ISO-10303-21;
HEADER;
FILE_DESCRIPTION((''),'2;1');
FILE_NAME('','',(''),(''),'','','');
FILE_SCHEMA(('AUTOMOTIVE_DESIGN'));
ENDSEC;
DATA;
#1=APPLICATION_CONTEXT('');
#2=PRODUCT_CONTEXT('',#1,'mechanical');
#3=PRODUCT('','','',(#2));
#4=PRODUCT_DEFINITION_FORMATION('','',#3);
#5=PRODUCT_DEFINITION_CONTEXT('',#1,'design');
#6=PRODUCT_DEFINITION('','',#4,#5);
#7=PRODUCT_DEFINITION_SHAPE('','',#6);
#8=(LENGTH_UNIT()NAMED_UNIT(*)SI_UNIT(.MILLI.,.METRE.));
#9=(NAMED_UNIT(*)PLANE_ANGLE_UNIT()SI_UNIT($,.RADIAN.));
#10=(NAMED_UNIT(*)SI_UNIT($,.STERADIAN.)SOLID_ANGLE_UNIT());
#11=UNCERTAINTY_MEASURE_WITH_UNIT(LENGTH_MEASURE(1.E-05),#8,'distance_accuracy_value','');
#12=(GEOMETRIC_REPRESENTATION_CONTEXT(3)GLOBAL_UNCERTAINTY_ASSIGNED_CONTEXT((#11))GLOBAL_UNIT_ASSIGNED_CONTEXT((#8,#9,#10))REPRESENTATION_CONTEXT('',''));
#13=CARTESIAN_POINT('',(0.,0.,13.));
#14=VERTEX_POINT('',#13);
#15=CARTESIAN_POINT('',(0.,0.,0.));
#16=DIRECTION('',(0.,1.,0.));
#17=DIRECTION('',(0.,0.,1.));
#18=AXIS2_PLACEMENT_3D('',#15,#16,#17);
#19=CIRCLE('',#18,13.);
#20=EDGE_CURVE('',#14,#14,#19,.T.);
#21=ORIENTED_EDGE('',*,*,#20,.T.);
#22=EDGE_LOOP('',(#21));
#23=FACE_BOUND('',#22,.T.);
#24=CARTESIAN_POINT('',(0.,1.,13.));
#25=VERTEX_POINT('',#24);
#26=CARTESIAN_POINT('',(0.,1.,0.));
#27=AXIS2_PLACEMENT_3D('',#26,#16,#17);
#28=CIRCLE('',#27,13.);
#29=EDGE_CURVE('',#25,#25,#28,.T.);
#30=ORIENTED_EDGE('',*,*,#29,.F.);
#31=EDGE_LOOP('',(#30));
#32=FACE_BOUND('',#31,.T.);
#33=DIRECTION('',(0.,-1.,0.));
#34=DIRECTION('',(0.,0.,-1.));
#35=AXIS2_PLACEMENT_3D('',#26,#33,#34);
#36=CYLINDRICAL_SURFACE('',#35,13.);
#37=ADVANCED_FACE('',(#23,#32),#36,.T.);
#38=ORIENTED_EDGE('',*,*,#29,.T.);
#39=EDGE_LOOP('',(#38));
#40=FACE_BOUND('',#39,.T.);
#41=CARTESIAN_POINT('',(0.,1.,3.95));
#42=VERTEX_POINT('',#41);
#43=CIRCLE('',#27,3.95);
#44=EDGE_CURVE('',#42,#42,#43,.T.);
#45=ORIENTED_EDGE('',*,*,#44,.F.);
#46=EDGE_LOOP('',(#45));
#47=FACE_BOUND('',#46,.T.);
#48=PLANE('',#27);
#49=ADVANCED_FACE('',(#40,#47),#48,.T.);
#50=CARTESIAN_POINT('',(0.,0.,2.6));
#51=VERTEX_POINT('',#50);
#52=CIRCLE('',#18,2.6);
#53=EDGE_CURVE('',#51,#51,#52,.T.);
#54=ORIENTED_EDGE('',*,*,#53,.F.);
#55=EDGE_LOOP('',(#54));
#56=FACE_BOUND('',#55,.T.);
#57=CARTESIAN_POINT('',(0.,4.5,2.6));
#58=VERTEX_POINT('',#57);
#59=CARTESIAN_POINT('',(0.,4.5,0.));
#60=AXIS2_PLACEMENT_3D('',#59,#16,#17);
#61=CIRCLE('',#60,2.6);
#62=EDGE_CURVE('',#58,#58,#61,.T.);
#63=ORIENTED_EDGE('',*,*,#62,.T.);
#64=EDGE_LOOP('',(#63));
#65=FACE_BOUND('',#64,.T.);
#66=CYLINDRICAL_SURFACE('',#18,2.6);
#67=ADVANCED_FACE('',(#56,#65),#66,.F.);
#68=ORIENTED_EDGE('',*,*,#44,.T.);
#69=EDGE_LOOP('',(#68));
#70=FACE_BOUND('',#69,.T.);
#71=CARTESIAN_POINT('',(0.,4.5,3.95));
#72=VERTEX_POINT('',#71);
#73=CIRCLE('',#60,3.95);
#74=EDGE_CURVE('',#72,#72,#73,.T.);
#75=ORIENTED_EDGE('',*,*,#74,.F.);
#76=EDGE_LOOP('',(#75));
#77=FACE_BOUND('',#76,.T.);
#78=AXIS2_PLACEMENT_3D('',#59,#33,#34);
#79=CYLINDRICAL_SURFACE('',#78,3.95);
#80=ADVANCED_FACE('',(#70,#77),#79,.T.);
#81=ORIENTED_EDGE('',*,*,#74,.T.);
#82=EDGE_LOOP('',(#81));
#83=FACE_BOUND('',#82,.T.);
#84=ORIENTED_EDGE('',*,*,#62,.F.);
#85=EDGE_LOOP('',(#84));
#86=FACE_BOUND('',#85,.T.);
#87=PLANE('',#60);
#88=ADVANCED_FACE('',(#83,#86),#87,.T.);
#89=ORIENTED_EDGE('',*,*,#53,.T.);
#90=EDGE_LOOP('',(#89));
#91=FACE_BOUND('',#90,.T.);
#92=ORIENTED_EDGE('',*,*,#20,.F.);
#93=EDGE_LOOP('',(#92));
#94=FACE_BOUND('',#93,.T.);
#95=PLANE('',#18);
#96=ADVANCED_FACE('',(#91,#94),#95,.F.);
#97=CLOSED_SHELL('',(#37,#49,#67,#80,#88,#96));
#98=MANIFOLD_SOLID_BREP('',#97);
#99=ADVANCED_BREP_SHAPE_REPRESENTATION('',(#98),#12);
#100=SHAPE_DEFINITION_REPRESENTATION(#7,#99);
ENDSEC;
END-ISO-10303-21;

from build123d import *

# Parameters (mm, degrees)
CROQUIS1_R              = 13
SALIENTE_EXTRUIR1_DEPTH = 1
CROQUIS2_R              = 3.95
SALIENTE_EXTRUIR2_DEPTH = 3.5
CROQUIS3_R              = 2.6
CORTAR_EXTRUIR1_DEPTH   = 19.927493231


with BuildPart() as part:
    # Croquis1 → Saliente-Extruir1 (new body)
    with BuildSketch(Plane(origin=(0, 0, 0), x_dir=(1, 0, 0), z_dir=(0, 1, 0))):
        with Locations(Location((0, 0, 0), (0, 0, 270))):
            Circle(CROQUIS1_R)
    extrude(amount=SALIENTE_EXTRUIR1_DEPTH)

    # Croquis2 → Saliente-Extruir2 (add)
    with BuildSketch(Plane(origin=(0, 1, 0), x_dir=(1, 0, 0), z_dir=(0, 1, 0))):
        with Locations(Location((0, 0, 0), (0, 0, 270))):
            Circle(CROQUIS2_R)
    extrude(amount=SALIENTE_EXTRUIR2_DEPTH)

    # Croquis3 → Cortar-Extruir1 (cut, through all)
    with BuildSketch(Plane(origin=(0, 4.5, 0), x_dir=(1, 0, 0), z_dir=(0, 1, 0))):
        with Locations(Location((0, 0, 0), (0, 0, 270))):
            Circle(CROQUIS3_R)
    extrude(amount=-CORTAR_EXTRUIR1_DEPTH, mode=Mode.SUBTRACT)


solid = part.part
